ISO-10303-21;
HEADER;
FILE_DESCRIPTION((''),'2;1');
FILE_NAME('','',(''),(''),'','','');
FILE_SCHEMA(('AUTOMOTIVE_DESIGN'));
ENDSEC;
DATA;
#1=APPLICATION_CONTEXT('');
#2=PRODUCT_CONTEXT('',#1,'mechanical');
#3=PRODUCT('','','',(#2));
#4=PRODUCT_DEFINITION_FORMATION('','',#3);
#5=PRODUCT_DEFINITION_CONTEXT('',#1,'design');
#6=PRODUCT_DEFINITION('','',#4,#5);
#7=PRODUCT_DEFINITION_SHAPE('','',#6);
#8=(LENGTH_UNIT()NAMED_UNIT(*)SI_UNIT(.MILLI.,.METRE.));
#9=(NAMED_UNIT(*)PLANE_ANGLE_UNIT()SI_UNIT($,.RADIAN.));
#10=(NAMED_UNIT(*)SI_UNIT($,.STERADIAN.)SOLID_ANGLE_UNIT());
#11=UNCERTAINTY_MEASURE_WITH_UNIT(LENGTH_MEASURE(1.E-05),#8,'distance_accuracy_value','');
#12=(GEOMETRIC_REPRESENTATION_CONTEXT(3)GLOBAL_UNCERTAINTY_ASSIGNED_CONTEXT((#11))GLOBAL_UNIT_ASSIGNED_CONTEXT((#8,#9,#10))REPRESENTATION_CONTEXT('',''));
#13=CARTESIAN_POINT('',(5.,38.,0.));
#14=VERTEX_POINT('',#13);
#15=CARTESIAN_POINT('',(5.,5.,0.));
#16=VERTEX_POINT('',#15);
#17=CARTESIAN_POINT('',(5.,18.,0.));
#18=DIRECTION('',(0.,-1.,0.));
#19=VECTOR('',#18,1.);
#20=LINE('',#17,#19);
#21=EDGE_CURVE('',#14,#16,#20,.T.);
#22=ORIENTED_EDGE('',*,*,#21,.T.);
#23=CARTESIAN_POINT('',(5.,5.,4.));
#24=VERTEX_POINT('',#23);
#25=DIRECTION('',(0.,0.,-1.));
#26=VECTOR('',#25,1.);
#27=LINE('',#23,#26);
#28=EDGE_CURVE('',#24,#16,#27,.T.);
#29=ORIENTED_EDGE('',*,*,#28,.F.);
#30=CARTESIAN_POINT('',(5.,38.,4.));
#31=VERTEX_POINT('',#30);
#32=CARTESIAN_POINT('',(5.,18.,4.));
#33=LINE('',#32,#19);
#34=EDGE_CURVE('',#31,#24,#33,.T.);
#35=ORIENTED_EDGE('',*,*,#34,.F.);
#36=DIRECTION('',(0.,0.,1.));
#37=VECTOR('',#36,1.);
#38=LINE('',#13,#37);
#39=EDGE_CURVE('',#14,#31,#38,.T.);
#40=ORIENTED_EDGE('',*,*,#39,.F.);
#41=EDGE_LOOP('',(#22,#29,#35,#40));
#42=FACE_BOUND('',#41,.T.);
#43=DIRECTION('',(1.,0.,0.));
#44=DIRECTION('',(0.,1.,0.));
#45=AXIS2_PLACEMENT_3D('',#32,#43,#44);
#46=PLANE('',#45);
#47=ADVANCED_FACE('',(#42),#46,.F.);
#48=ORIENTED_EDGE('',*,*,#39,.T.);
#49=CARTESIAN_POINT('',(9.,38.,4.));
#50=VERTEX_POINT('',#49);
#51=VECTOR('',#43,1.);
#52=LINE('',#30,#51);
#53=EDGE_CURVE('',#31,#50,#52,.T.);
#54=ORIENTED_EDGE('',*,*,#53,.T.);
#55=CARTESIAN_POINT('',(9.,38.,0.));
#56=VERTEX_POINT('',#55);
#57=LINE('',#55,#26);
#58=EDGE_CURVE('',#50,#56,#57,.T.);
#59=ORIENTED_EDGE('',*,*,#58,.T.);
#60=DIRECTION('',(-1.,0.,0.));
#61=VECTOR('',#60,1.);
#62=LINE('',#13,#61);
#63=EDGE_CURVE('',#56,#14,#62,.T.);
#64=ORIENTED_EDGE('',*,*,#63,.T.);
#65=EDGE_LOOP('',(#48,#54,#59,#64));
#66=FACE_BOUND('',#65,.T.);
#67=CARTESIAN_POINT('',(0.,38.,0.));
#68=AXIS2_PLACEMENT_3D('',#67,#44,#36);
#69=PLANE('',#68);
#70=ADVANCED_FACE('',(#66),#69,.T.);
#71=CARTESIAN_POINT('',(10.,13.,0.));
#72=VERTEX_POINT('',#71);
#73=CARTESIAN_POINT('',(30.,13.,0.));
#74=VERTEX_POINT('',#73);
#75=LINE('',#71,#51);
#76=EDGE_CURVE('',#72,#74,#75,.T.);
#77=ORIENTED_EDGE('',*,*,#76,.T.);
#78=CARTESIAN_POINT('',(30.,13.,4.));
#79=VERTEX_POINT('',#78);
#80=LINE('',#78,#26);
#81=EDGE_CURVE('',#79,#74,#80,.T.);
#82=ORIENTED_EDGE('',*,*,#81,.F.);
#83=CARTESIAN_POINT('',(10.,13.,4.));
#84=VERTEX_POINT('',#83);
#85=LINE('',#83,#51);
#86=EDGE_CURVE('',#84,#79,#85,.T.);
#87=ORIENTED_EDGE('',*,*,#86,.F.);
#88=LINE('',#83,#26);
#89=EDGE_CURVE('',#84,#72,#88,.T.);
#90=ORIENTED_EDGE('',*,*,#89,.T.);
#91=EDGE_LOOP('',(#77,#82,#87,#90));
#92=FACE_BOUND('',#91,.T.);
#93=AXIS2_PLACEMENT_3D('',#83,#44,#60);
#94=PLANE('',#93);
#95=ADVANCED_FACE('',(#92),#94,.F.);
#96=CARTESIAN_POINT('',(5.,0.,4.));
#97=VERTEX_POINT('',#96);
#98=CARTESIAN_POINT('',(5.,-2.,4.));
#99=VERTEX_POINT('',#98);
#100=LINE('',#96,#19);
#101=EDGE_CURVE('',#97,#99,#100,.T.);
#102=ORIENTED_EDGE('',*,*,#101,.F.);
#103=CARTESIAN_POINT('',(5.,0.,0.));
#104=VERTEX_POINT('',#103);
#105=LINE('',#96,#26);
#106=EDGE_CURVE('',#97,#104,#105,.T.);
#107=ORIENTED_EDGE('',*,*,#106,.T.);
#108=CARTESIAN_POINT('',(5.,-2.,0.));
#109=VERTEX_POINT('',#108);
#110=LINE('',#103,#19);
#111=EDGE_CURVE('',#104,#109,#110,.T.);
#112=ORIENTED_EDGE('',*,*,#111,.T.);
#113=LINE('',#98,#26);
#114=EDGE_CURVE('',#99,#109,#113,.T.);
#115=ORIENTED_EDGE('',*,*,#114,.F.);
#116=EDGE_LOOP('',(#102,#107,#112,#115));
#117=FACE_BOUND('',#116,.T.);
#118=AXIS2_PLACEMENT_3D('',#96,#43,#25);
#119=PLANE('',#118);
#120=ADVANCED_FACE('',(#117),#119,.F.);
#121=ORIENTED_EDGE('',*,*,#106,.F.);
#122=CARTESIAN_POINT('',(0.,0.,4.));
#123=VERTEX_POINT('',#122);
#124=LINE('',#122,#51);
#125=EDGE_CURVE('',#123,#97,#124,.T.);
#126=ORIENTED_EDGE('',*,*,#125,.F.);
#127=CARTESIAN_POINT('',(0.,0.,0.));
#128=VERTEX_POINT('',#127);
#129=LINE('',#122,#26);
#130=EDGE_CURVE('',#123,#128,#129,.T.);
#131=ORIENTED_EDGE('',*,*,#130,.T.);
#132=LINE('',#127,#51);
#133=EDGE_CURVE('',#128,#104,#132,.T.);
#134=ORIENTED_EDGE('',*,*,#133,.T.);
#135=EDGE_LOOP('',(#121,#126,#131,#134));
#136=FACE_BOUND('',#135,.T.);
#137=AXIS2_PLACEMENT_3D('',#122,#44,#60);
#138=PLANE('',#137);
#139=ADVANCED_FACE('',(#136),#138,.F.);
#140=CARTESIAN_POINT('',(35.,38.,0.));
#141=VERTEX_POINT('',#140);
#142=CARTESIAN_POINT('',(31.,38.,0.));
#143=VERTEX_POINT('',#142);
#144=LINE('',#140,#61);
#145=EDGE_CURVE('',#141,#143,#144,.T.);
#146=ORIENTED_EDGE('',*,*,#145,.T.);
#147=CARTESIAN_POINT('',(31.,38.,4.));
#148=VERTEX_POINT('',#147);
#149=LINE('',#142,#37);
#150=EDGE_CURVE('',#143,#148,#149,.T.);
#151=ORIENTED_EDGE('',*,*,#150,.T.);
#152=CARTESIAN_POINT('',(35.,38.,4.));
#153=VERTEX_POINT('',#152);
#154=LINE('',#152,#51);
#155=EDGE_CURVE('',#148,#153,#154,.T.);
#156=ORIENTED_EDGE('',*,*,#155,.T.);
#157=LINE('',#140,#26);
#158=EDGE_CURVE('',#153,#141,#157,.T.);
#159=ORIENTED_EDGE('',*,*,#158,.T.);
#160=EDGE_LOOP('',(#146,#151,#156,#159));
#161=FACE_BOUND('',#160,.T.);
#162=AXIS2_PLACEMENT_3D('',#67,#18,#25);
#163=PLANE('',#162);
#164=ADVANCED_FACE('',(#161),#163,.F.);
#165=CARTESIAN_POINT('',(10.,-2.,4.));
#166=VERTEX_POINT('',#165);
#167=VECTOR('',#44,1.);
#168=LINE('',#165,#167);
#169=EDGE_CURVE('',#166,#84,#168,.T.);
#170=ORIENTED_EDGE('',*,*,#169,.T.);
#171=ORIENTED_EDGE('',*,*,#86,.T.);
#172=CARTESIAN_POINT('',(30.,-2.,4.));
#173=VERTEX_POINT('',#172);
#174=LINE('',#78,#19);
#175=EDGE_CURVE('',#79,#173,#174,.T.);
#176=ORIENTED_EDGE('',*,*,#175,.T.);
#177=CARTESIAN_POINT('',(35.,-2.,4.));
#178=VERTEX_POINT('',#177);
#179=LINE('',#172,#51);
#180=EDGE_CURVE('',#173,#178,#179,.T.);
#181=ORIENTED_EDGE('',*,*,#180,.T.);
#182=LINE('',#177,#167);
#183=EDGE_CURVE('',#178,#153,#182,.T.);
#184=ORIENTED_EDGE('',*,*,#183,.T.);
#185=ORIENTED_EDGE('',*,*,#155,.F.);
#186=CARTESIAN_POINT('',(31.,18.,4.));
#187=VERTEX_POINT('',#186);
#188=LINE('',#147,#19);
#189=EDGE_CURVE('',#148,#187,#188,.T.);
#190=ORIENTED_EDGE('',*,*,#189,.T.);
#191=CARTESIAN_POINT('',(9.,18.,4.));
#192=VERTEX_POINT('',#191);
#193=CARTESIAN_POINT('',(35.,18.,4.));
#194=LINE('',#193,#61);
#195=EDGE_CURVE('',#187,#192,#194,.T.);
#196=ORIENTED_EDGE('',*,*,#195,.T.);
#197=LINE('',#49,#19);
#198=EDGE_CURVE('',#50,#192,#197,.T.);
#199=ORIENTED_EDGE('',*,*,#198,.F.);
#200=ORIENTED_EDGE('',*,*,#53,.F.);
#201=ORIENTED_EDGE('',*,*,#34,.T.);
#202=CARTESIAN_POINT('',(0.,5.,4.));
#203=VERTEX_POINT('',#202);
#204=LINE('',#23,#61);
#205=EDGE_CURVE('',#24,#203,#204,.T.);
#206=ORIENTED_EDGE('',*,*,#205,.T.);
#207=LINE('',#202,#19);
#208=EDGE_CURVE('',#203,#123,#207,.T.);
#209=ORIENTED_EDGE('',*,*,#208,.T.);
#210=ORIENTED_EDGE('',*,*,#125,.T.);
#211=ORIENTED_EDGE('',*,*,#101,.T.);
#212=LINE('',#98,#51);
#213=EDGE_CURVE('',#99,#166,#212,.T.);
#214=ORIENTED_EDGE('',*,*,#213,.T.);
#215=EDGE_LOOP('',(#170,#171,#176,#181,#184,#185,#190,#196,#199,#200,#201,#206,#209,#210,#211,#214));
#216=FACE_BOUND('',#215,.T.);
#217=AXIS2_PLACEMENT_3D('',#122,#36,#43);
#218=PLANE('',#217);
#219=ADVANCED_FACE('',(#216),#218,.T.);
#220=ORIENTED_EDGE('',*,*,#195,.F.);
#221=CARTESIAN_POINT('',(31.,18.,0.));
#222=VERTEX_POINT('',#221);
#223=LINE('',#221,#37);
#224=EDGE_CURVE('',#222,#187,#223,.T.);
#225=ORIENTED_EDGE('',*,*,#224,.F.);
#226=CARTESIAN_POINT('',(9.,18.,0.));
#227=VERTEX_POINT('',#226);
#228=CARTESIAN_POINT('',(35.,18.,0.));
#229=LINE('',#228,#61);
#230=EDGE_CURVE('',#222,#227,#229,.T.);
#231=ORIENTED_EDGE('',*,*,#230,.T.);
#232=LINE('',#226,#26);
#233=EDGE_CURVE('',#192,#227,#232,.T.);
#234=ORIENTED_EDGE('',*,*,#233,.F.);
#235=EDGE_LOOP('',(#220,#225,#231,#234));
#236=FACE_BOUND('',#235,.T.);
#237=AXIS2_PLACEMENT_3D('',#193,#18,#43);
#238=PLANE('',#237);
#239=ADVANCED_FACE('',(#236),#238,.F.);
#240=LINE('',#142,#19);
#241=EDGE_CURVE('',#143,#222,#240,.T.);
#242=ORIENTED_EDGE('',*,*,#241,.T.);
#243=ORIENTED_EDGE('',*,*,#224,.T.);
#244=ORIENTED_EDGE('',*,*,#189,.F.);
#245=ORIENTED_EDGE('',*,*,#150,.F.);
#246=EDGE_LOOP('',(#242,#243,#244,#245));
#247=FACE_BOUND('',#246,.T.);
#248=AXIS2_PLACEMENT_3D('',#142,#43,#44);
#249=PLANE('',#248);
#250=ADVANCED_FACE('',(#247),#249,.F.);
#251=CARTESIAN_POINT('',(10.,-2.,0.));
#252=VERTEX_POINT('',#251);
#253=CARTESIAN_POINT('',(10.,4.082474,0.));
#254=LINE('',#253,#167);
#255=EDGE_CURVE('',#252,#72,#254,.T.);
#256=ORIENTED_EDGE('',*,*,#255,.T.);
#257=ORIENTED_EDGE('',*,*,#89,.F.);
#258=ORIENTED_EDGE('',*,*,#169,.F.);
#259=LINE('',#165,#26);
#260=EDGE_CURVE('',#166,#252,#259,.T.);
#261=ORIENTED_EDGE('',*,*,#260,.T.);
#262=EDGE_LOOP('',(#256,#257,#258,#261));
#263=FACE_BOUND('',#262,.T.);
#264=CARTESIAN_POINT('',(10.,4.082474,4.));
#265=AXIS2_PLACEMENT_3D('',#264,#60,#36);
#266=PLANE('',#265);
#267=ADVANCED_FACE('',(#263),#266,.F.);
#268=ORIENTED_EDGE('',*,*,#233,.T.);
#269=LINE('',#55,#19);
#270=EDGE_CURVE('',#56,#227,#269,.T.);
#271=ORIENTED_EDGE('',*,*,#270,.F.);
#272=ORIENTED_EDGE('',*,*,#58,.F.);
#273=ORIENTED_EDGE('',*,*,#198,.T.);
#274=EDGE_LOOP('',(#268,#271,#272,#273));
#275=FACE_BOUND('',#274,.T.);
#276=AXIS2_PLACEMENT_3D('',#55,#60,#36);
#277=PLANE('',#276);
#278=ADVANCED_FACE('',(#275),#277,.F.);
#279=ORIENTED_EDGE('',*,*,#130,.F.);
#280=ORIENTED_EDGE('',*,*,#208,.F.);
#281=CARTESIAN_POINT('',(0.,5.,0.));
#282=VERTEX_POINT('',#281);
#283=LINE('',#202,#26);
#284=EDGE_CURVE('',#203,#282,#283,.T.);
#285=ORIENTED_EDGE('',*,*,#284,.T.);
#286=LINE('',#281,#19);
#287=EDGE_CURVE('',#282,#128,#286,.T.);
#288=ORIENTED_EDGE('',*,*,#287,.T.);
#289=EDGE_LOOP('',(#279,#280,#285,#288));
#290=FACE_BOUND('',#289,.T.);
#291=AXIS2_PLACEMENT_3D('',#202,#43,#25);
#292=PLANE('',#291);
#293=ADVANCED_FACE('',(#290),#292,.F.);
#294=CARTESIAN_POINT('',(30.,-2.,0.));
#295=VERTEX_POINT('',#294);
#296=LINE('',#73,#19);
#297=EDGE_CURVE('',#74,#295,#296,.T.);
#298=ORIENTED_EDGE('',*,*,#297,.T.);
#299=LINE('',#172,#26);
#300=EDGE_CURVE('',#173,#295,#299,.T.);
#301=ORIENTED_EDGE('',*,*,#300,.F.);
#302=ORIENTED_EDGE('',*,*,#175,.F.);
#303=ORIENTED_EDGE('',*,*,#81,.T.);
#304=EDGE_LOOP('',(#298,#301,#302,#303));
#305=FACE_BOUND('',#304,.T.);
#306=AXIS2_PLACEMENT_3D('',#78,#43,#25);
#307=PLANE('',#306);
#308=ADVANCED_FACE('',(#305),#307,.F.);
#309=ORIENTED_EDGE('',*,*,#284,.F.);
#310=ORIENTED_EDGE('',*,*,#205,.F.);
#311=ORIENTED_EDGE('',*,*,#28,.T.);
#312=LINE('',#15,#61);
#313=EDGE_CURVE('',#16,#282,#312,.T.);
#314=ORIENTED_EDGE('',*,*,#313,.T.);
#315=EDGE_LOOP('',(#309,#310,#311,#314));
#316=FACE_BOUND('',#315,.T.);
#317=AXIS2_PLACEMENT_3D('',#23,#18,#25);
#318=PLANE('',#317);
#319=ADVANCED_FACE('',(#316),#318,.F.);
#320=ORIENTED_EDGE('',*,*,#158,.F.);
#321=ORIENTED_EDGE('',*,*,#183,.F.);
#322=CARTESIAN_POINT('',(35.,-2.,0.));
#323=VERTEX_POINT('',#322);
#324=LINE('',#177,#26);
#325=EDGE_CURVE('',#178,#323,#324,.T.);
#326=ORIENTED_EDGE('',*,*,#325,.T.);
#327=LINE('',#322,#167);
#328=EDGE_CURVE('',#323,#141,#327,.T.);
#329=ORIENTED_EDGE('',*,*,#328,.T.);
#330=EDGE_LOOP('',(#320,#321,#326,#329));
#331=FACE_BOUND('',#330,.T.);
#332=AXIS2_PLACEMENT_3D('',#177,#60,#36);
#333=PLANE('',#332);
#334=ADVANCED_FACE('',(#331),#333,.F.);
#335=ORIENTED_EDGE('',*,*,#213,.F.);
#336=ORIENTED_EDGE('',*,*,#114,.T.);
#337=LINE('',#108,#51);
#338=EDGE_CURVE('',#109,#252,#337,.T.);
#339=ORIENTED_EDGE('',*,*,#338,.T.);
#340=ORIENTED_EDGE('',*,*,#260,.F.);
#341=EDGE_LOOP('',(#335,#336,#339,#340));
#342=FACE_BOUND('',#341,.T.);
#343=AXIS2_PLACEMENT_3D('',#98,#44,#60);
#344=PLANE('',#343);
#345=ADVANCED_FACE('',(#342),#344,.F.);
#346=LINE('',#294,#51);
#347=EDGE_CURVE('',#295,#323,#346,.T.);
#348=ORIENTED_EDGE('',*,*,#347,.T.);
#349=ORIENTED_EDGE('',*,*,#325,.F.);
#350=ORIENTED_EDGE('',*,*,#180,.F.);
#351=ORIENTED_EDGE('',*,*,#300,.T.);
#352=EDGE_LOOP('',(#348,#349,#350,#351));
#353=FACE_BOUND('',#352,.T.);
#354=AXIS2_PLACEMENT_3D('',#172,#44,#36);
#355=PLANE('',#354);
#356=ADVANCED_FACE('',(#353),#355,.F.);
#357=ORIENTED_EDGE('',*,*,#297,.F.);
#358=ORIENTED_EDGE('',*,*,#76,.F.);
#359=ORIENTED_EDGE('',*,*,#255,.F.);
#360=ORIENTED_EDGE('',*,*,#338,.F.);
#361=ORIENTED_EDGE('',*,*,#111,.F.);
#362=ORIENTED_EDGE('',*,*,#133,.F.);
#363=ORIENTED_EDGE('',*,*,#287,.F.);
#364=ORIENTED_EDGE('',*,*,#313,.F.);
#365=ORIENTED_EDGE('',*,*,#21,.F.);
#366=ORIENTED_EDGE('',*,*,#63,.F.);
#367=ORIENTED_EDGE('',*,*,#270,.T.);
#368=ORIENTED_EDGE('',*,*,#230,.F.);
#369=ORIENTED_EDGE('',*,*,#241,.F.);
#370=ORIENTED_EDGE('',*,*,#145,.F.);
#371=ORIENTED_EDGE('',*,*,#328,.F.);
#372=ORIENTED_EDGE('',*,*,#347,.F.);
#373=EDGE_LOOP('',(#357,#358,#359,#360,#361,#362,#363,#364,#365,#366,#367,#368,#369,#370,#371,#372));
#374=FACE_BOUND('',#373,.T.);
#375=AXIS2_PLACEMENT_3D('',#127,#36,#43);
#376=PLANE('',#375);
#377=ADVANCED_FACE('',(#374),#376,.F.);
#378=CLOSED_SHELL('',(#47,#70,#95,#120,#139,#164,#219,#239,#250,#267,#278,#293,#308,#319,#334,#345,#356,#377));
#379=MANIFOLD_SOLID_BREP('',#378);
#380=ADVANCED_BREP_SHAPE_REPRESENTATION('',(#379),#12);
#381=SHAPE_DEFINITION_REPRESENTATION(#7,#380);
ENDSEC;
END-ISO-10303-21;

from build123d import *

# Parameters (mm, degrees)
P_IDAT_VYSUNUT_M1_DEPTH  = 4
SKICA2_W                 = 20
SKICA2_H                 = 4
P_IDAT_VYSUNUT_M2_DEPTH  = 15
SKICA3_W                 = 5.5
SKICA3_H                 = 3
ODEBRAT_VYSUNUT_M1_DEPTH = 15
SKICA4_W                 = 20
SKICA4_H                 = 15
ODEBRAT_VYSUNUT_M2_DEPTH = 15
SKICA5_W                 = 4
SKICA5_H                 = 4
P_IDAT_VYSUNUT_M3_DEPTH  = 20


with BuildPart() as part:
    # Skica1 → Přidat vysunutím1 (new body)
    with BuildSketch(Plane.XY):
        Polygon((0, 0), (5, 0), (5, -2), (10, -2), (10, 4.082474227), (10, 13), (30, 13), (30, -2), (35, -2), (35, 18), (5, 18), (5, 5), (0, 5), align=None)
    extrude(amount=P_IDAT_VYSUNUT_M1_DEPTH)

    # Skica2 → Přidat vysunutím2 (add)
    with BuildSketch(Plane(origin=(0, 18, 0), x_dir=(1, 0, 0), z_dir=(0, 1, 0))):
        with Locations((20, -2)):
            Rectangle(SKICA2_W, SKICA2_H)
    extrude(amount=P_IDAT_VYSUNUT_M2_DEPTH)

    # Skica3 → Odebrat vysunutím1 (cut)
    with BuildSketch(Plane.XY.offset(4)):
        with Locations((20, 28)):
            Rectangle(SKICA3_W, SKICA3_H)
    extrude(amount=-ODEBRAT_VYSUNUT_M1_DEPTH, mode=Mode.SUBTRACT)

    # Skica4 → Odebrat vysunutím2 (cut)
    with BuildSketch(Plane.XY.offset(4)):
        with Locations((20, 25.5)):
            Rectangle(SKICA4_W, SKICA4_H)
    extrude(amount=-ODEBRAT_VYSUNUT_M2_DEPTH, mode=Mode.SUBTRACT)

    # Skica5 → Přidat vysunutím3 (add)
    with BuildSketch(Plane(origin=(0, 18, 0), x_dir=(1, 0, 0), z_dir=(0, 1, 0))):
        with Locations((7, -2)):
            Rectangle(SKICA5_W, SKICA5_H)
        with Locations((33, -2)):
            Rectangle(SKICA5_W, SKICA5_H)
    extrude(amount=P_IDAT_VYSUNUT_M3_DEPTH)


solid = part.part
